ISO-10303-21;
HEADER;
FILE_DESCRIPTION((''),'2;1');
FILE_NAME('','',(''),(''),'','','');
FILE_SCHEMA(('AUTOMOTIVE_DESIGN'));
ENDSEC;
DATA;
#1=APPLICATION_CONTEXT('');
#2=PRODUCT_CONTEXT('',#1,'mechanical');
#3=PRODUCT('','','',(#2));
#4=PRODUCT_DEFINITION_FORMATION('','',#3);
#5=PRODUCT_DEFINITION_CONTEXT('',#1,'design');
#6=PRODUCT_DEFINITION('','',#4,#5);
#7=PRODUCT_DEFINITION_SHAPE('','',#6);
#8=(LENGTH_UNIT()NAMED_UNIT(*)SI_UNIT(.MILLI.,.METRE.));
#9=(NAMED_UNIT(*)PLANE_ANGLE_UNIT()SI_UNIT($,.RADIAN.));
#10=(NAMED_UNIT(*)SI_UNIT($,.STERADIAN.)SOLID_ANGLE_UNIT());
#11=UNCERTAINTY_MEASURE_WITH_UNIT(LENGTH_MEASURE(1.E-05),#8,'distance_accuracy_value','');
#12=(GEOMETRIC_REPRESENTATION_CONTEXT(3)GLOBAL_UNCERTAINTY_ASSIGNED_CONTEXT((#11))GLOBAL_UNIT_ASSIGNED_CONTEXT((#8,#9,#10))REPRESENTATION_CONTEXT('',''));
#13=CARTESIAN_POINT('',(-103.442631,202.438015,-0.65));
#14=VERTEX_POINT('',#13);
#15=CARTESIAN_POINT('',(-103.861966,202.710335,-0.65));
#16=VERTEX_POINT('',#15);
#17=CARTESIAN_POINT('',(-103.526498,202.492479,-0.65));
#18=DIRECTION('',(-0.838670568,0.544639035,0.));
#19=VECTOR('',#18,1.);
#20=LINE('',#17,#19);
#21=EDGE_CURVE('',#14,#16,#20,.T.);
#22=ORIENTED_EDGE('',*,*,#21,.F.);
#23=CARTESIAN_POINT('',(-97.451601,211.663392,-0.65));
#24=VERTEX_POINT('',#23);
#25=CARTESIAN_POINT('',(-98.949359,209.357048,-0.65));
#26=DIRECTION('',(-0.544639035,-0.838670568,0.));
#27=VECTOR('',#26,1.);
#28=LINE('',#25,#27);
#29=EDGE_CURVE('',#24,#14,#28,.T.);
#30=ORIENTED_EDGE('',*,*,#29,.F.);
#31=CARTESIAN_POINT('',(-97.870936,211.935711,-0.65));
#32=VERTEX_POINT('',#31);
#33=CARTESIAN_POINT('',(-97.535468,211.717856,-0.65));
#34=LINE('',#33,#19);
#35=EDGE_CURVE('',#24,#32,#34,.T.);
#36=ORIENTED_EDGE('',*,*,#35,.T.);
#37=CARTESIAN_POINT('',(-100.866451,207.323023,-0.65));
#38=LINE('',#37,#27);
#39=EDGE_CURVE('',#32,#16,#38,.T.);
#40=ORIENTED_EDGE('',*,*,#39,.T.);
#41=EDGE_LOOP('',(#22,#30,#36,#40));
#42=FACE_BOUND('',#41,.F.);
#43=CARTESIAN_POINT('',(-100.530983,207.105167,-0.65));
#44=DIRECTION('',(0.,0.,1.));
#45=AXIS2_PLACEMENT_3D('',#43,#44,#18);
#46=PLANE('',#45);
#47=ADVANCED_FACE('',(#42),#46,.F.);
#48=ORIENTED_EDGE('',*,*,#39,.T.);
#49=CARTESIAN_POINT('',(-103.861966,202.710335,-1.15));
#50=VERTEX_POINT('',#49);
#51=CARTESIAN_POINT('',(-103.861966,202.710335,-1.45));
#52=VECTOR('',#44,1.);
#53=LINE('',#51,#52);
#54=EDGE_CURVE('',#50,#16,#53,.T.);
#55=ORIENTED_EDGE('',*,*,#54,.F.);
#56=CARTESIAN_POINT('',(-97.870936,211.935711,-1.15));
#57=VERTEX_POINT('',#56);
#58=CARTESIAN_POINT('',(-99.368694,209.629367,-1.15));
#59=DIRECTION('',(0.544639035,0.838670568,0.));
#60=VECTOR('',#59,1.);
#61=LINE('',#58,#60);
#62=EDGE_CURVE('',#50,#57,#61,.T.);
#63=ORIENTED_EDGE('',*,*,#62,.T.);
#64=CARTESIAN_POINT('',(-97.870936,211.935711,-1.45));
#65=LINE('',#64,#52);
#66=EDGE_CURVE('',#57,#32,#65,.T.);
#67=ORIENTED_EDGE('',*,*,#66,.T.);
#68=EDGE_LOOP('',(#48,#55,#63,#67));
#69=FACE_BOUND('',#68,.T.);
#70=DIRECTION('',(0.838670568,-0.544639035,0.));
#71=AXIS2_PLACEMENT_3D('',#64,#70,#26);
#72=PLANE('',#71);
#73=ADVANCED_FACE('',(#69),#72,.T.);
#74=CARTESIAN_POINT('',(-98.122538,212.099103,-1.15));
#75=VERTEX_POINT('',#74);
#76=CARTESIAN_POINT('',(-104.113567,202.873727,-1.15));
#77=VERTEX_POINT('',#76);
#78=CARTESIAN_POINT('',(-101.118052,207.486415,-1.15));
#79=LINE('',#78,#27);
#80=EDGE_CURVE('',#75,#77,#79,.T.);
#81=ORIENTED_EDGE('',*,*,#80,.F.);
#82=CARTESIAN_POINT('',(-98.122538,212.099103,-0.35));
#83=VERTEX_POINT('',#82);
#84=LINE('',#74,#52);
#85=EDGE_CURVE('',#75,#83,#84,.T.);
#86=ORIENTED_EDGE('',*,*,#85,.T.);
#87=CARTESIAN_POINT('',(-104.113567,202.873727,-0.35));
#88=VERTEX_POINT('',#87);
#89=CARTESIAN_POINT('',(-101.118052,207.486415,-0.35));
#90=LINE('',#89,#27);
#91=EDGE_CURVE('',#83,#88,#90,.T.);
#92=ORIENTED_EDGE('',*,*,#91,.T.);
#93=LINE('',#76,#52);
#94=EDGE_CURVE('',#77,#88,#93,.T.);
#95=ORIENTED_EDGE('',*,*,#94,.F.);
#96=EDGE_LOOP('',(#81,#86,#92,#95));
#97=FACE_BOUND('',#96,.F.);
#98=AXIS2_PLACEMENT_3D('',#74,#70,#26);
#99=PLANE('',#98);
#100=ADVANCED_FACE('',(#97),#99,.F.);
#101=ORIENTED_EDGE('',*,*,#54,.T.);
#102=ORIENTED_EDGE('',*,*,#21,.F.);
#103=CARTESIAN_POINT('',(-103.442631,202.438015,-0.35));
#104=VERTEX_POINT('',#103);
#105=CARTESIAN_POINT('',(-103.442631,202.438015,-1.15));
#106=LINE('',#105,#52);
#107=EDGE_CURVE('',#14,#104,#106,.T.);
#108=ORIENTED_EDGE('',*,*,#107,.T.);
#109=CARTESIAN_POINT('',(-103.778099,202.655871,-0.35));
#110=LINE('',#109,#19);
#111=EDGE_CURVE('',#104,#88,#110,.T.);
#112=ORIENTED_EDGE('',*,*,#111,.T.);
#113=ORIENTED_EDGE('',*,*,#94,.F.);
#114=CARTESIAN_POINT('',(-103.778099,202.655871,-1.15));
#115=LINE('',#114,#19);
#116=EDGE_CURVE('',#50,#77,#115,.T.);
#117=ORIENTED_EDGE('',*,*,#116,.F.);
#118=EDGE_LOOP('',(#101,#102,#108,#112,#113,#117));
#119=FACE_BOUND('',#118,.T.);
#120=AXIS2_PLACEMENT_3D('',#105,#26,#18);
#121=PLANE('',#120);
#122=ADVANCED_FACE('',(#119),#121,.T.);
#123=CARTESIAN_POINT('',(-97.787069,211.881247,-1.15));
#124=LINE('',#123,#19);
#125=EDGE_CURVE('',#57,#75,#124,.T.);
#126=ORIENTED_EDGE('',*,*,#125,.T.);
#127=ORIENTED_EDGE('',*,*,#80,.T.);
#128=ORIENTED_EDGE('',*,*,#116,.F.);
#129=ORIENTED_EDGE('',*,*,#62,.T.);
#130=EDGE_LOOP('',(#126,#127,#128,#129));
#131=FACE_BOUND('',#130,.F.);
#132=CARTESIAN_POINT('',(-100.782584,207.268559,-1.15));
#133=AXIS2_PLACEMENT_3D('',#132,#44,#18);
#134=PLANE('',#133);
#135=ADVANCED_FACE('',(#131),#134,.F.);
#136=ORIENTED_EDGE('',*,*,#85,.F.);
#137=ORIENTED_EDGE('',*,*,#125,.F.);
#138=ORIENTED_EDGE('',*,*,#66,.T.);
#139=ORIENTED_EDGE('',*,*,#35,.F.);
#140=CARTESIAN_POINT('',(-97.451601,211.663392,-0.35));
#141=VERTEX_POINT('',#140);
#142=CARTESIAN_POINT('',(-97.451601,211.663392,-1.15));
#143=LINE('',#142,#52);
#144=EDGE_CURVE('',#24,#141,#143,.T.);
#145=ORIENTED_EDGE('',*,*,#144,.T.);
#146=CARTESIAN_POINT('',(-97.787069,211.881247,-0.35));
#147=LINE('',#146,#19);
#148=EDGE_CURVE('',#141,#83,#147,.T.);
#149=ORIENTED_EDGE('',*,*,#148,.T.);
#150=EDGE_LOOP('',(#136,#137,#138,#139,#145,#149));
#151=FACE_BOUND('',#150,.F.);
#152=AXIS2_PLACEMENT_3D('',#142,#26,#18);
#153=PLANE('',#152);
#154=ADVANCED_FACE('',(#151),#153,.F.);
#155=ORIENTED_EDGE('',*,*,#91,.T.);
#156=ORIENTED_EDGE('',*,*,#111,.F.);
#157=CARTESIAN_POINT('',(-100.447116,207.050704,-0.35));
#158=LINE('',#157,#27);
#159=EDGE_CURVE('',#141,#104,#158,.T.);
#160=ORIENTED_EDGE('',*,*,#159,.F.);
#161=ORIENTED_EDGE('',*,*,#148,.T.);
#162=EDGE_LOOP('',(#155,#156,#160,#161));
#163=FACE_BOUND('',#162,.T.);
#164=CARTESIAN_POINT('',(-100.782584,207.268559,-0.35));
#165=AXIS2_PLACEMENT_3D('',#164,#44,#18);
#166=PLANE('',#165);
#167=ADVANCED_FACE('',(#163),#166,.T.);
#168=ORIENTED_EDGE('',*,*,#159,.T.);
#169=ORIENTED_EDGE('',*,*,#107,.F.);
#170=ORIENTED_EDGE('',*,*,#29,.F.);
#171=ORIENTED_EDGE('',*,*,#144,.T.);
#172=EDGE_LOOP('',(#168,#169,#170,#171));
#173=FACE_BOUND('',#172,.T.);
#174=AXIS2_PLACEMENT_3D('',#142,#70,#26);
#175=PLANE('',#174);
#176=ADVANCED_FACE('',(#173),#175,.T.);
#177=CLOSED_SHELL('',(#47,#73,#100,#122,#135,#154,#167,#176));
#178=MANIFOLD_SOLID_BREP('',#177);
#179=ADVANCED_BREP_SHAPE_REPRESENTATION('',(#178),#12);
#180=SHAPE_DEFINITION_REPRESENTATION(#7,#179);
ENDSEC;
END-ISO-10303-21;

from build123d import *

# Parameters (mm, degrees)
BOX191_W               = 0.8
BOX191_H               = 11
BOX191_DEPTH           = 0.8
BOX192_W               = 0.8
BOX192_H               = 11
BOX192_DEPTH           = 0.8
CUT099_PLACEMENT_ANGLE = 147


with BuildPart() as cubo191:
    # Box191 → Box191 (new body)
    with BuildSketch(Plane.XY):
        with Locations((0.4, 5.5)):
            Rectangle(BOX191_W, BOX191_H)
    extrude(amount=BOX191_DEPTH)


with BuildPart() as perfil_l_2da_cara041:
    # Box192 → Box192 (new body)
    with BuildSketch(Plane(origin=(0.3, 0, 0.3), x_dir=(1, 0, 0), z_dir=(0, 0, 1))):
        with Locations((0.4, 5.5)):
            Rectangle(BOX192_W, BOX192_H)
    extrude(amount=BOX192_DEPTH)

    # Cut099: cut Cubo191
    add(cubo191.part, mode=Mode.SUBTRACT)


with BuildPart() as perfil_l_2da_cara041_1:
    # Cut099 placement: moved
    add(perfil_l_2da_cara041.part.moved(Location((-97.2, 211.5, -1.45))).rotate(Axis((-97.2, 211.5, -1.45), (0, 0, 1)), CUT099_PLACEMENT_ANGLE))


solid = perfil_l_2da_cara041_1.part
